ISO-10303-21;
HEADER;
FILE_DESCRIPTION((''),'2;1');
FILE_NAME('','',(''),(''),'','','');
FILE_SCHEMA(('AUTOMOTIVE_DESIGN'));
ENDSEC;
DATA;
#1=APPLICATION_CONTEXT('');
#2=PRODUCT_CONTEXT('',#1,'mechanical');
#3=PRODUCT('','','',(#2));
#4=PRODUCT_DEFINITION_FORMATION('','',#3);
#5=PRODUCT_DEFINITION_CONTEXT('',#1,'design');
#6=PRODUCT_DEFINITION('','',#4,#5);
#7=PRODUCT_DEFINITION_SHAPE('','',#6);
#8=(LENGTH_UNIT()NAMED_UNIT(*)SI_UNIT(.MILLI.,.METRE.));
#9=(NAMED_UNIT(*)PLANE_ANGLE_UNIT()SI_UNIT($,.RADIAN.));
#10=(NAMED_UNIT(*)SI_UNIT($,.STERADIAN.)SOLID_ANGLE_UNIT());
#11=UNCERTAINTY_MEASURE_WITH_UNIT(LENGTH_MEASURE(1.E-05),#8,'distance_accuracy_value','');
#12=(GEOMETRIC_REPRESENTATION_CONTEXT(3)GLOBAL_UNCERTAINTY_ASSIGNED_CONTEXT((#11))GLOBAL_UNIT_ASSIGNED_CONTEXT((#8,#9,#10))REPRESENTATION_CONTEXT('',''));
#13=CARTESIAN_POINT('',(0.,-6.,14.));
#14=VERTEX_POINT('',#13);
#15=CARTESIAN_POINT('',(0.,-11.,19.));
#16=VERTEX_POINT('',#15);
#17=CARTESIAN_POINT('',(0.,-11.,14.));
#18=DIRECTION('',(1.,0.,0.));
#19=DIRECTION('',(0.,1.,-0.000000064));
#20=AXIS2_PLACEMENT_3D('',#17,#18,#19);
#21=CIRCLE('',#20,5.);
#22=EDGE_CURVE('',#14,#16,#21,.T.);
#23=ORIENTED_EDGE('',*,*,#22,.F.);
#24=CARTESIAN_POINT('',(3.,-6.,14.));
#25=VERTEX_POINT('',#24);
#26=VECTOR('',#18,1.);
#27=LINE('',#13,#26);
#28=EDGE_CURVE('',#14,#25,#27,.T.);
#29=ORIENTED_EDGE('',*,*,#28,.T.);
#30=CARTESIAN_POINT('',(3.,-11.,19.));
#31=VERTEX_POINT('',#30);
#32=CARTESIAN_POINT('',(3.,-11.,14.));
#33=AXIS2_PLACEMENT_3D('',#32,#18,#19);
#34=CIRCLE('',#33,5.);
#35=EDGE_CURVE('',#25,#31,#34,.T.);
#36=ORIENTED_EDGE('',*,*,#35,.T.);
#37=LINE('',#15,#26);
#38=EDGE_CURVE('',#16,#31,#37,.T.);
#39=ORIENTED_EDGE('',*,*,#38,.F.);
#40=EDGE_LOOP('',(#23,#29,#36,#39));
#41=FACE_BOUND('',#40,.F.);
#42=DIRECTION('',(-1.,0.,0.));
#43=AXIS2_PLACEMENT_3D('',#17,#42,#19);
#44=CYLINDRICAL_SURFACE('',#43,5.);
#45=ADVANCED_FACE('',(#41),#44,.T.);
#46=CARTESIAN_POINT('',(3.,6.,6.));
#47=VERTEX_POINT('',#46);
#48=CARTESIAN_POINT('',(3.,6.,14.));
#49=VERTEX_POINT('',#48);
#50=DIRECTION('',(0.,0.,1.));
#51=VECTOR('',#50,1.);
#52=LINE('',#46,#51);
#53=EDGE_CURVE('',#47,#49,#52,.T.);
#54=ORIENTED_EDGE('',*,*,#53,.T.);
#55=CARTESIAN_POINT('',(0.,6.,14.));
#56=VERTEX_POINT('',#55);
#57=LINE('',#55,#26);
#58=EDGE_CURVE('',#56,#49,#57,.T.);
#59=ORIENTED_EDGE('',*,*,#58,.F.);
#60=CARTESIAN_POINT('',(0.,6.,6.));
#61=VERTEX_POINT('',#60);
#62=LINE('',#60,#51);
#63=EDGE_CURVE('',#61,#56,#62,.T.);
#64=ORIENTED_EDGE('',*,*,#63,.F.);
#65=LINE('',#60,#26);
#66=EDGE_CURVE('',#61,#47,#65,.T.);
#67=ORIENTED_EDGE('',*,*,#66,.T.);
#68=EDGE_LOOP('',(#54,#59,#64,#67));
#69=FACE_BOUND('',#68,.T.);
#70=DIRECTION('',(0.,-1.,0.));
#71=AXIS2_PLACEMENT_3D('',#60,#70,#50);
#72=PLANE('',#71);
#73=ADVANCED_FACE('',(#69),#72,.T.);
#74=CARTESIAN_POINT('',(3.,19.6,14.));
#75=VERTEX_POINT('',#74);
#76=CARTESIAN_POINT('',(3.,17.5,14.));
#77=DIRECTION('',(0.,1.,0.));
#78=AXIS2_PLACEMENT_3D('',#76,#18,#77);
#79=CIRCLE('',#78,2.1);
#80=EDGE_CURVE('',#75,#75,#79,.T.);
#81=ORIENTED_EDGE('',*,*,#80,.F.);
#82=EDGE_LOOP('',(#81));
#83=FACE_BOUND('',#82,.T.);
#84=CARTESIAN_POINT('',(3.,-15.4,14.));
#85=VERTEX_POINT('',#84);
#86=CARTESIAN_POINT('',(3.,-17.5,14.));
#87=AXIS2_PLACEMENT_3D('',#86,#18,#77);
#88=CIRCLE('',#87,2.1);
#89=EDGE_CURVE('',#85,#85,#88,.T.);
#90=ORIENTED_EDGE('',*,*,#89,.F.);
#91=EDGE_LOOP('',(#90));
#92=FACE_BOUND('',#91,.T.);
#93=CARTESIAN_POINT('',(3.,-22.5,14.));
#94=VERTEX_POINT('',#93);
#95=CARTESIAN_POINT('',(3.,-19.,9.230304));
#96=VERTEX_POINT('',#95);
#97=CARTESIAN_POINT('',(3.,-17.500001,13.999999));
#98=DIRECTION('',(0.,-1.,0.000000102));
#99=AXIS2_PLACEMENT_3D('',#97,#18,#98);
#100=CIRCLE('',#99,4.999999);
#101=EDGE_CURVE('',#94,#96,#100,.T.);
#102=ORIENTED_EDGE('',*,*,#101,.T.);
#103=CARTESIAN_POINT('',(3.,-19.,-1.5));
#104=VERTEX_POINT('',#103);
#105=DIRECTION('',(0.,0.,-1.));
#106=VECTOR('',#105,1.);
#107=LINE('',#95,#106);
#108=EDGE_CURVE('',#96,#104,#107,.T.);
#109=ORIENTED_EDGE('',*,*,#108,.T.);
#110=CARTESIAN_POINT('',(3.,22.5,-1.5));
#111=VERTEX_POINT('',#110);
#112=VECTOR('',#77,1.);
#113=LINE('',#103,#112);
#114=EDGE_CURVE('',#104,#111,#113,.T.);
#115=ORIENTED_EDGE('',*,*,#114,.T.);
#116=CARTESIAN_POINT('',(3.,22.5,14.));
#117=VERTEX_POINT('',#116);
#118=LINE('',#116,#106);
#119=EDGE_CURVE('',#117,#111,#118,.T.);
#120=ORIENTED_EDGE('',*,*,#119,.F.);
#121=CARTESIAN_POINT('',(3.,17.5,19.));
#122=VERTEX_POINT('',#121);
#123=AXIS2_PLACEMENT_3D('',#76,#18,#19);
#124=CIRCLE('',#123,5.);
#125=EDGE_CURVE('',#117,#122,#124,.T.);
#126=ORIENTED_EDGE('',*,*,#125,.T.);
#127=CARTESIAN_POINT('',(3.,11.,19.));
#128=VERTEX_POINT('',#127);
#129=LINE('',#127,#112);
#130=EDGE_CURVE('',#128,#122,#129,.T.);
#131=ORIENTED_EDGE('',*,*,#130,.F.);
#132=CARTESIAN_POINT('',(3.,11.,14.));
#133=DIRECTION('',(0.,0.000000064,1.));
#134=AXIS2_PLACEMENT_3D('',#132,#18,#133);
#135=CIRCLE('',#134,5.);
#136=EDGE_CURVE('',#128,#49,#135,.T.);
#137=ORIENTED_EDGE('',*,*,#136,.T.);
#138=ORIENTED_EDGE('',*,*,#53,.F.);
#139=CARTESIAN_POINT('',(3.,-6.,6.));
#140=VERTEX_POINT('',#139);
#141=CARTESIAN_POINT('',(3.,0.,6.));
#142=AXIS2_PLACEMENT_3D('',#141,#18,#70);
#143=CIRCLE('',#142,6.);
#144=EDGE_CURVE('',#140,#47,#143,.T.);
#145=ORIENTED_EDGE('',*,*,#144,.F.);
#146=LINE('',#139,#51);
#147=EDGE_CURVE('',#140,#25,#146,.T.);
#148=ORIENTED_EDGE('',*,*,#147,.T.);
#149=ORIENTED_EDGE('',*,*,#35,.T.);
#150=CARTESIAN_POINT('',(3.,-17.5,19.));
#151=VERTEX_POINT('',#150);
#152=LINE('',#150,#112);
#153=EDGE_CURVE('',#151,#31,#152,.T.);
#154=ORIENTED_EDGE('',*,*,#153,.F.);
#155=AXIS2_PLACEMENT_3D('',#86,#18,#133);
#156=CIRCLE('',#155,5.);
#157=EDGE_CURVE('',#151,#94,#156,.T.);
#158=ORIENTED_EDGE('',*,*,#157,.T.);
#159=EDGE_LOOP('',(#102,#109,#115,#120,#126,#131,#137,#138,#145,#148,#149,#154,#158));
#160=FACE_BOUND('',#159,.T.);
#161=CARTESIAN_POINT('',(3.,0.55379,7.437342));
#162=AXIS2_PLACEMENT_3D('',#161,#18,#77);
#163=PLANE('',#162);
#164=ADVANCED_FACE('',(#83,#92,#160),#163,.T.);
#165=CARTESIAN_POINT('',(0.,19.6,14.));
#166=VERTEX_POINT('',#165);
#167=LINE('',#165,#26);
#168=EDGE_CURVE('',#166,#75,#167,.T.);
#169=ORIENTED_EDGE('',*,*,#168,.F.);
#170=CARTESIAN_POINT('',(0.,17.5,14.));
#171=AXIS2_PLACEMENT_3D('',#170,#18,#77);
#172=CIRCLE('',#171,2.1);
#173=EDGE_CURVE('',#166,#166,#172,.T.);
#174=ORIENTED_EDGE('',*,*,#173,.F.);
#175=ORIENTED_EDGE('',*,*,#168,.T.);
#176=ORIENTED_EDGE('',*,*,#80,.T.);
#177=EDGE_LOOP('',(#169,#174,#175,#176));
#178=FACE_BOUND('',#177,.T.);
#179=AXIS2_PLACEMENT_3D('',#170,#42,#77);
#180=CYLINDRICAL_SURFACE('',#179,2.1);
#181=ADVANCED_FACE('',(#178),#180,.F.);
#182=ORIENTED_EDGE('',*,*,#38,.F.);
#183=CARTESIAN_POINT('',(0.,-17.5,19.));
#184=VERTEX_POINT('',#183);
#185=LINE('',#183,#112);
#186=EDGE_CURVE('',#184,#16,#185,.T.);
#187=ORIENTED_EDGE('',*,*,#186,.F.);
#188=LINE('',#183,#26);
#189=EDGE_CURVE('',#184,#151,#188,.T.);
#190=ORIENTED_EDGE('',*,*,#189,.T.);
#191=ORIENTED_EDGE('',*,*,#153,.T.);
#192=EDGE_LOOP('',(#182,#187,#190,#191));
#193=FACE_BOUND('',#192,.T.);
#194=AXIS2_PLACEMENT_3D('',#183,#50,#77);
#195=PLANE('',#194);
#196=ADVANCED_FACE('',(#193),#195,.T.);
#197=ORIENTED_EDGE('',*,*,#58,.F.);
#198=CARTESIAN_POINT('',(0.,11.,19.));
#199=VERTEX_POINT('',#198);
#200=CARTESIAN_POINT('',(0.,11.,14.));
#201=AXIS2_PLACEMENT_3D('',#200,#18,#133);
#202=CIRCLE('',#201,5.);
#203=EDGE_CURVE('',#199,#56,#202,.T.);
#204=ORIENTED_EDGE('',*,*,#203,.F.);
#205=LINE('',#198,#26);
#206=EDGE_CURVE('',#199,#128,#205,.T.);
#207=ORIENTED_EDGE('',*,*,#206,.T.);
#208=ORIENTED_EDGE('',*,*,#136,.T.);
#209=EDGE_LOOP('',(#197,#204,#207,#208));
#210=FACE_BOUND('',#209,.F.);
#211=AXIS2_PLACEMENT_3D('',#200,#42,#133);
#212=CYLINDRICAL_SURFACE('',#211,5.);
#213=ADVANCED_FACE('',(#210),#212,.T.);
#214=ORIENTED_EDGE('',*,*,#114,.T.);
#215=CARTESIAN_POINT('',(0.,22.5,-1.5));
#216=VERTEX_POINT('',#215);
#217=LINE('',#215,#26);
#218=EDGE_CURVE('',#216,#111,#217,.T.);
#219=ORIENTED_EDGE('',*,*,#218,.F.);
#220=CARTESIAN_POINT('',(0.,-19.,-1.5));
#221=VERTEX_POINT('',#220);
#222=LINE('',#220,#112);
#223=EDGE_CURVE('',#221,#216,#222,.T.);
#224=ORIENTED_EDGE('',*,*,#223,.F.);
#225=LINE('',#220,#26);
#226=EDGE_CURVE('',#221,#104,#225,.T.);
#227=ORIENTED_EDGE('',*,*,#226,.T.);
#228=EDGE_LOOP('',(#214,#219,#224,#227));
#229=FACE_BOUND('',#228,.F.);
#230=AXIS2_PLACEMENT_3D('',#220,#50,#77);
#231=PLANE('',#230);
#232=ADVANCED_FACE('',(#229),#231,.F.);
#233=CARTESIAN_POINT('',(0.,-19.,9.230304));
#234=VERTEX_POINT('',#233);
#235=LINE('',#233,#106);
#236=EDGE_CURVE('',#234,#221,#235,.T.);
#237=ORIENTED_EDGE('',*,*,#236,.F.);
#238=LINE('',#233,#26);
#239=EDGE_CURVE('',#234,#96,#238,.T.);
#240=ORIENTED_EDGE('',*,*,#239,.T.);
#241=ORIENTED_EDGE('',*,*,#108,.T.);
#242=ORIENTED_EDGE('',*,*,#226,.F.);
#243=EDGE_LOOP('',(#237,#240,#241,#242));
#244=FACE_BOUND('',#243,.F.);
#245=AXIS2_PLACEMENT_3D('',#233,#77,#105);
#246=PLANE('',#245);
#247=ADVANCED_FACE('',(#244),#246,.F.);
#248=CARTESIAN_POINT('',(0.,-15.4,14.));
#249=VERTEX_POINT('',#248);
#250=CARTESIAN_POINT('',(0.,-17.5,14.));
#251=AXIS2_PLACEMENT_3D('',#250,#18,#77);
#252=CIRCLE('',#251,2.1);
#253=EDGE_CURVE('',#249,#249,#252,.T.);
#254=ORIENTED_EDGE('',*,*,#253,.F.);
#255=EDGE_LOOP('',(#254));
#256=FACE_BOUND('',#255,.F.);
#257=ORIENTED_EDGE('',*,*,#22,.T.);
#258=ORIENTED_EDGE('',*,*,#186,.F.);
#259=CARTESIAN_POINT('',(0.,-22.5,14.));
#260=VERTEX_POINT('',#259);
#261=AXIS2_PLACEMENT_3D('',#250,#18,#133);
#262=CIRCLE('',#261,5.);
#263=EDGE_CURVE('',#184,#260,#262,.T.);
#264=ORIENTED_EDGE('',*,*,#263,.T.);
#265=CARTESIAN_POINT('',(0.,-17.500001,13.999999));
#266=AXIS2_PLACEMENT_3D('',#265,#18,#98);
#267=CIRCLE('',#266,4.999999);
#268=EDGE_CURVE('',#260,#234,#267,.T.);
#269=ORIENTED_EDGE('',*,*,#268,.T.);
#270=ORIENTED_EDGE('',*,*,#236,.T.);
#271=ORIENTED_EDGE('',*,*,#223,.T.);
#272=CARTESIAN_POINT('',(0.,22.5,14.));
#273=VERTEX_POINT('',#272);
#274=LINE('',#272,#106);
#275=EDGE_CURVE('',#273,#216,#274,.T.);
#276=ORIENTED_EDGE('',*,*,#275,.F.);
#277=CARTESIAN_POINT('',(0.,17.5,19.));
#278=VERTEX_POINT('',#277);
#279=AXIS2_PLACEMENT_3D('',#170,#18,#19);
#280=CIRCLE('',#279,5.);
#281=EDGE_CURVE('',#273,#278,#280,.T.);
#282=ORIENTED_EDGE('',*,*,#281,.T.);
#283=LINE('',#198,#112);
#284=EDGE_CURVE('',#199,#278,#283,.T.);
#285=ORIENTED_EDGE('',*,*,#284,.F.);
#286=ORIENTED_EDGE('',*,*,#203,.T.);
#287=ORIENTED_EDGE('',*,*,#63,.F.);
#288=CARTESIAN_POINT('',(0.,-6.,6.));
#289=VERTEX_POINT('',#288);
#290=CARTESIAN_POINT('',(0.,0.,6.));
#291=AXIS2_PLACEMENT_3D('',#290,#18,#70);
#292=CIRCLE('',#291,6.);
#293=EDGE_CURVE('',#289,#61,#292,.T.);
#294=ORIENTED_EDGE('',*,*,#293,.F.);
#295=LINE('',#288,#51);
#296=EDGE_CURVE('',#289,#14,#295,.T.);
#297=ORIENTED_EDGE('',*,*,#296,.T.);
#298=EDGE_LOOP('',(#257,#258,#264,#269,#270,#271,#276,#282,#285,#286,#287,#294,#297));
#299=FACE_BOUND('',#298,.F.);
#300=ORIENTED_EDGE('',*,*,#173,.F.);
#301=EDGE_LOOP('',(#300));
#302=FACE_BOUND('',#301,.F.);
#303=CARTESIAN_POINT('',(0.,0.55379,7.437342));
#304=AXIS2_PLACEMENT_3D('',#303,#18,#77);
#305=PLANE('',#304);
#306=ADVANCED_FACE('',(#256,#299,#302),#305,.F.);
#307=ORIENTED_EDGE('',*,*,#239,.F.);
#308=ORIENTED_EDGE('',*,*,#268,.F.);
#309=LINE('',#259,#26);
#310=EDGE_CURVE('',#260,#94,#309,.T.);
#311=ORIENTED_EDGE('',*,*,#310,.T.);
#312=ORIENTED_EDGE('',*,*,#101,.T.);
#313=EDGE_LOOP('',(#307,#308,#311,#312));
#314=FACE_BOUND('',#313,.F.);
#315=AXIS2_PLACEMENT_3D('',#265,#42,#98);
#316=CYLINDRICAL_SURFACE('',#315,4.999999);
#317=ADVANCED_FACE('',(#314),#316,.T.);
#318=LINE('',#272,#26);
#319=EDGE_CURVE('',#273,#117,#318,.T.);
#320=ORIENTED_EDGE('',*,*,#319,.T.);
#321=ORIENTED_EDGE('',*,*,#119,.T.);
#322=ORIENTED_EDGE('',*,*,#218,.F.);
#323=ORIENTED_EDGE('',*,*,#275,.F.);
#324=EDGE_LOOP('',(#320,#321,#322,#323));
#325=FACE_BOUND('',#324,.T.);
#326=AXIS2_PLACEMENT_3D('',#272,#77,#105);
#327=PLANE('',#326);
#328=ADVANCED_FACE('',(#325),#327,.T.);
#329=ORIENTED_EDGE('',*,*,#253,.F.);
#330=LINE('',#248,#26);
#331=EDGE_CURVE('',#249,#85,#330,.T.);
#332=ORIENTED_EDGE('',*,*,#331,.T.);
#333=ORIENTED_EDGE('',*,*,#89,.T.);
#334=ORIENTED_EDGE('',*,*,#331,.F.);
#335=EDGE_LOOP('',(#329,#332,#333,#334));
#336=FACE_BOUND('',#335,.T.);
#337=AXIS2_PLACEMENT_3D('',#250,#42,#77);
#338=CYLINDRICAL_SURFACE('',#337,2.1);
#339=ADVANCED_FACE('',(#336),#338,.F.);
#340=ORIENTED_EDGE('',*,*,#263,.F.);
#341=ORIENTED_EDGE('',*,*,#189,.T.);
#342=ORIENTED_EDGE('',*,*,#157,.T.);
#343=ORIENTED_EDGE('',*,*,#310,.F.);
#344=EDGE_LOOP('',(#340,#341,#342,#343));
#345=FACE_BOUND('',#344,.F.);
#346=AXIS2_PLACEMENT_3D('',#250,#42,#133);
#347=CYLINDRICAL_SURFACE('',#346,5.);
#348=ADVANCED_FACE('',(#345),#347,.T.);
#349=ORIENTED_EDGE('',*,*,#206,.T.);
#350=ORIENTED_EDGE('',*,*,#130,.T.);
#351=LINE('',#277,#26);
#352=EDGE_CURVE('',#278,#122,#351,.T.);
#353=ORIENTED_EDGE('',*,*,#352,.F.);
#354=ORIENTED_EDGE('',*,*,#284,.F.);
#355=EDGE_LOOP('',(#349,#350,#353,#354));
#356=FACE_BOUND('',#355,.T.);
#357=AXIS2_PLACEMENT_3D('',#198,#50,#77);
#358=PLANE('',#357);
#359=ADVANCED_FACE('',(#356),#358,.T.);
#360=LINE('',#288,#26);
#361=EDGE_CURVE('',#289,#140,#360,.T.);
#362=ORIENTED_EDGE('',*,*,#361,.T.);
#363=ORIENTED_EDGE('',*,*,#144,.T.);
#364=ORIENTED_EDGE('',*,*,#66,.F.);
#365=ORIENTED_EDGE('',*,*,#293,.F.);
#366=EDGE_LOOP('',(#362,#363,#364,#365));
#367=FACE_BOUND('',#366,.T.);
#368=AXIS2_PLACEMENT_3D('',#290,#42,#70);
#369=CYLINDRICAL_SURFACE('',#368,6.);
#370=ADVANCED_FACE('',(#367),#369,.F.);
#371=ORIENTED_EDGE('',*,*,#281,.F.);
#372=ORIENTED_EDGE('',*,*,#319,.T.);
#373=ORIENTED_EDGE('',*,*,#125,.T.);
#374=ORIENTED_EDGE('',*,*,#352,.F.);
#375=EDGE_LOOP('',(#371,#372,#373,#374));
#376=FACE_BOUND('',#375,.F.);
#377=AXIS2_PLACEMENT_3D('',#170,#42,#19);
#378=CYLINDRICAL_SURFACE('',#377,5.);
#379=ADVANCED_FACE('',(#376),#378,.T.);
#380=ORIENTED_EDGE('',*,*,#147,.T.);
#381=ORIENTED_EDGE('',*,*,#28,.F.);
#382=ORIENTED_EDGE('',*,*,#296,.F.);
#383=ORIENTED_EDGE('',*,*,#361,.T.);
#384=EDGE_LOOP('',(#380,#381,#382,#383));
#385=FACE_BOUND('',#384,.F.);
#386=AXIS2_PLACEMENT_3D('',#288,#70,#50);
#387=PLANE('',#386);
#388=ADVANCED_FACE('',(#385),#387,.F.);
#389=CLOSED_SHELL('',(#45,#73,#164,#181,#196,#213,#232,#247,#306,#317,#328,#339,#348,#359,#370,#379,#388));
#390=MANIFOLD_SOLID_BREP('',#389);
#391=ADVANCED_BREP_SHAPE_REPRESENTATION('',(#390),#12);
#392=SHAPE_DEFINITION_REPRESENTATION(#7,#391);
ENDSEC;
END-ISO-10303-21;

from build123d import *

# Parameters (mm, degrees)
SKETCH_R  = 2.1
PAD_DEPTH = 3


with BuildPart() as part:
    # Sketch → Pad (new body)
    with BuildSketch(Plane.YZ):
        with BuildLine():
            ThreePointArc((-17.5, 19), (-21.035534, 17.535534), (-22.5, 14))
            ThreePointArc((-22.5, 14), (-21.531129, 11.04196), (-19, 9.230304))
            Line((-19, 9.230304), (-19, -1.5))
            Line((-19, -1.5), (22.5, -1.5))
            Line((22.5, 14), (22.5, -1.5))
            ThreePointArc((22.5, 14), (21.035534, 17.535534), (17.5, 19))
            Line((11, 19), (17.5, 19))
            ThreePointArc((11, 19), (7.464466, 17.535534), (6, 14))
            Line((6, 6), (6, 14))
            ThreePointArc((-6, 6), (0, 0), (6, 6))
            Line((-6, 6), (-6, 14))
            ThreePointArc((-6, 14), (-7.464466, 17.535534), (-11, 19))
            Line((-17.5, 19), (-11, 19))
        make_face()
        with Locations((-17.5, 14)):
            Circle(SKETCH_R, mode=Mode.SUBTRACT)
        with Locations((17.5, 14)):
            Circle(SKETCH_R, mode=Mode.SUBTRACT)
    extrude(amount=PAD_DEPTH)


solid = part.part
